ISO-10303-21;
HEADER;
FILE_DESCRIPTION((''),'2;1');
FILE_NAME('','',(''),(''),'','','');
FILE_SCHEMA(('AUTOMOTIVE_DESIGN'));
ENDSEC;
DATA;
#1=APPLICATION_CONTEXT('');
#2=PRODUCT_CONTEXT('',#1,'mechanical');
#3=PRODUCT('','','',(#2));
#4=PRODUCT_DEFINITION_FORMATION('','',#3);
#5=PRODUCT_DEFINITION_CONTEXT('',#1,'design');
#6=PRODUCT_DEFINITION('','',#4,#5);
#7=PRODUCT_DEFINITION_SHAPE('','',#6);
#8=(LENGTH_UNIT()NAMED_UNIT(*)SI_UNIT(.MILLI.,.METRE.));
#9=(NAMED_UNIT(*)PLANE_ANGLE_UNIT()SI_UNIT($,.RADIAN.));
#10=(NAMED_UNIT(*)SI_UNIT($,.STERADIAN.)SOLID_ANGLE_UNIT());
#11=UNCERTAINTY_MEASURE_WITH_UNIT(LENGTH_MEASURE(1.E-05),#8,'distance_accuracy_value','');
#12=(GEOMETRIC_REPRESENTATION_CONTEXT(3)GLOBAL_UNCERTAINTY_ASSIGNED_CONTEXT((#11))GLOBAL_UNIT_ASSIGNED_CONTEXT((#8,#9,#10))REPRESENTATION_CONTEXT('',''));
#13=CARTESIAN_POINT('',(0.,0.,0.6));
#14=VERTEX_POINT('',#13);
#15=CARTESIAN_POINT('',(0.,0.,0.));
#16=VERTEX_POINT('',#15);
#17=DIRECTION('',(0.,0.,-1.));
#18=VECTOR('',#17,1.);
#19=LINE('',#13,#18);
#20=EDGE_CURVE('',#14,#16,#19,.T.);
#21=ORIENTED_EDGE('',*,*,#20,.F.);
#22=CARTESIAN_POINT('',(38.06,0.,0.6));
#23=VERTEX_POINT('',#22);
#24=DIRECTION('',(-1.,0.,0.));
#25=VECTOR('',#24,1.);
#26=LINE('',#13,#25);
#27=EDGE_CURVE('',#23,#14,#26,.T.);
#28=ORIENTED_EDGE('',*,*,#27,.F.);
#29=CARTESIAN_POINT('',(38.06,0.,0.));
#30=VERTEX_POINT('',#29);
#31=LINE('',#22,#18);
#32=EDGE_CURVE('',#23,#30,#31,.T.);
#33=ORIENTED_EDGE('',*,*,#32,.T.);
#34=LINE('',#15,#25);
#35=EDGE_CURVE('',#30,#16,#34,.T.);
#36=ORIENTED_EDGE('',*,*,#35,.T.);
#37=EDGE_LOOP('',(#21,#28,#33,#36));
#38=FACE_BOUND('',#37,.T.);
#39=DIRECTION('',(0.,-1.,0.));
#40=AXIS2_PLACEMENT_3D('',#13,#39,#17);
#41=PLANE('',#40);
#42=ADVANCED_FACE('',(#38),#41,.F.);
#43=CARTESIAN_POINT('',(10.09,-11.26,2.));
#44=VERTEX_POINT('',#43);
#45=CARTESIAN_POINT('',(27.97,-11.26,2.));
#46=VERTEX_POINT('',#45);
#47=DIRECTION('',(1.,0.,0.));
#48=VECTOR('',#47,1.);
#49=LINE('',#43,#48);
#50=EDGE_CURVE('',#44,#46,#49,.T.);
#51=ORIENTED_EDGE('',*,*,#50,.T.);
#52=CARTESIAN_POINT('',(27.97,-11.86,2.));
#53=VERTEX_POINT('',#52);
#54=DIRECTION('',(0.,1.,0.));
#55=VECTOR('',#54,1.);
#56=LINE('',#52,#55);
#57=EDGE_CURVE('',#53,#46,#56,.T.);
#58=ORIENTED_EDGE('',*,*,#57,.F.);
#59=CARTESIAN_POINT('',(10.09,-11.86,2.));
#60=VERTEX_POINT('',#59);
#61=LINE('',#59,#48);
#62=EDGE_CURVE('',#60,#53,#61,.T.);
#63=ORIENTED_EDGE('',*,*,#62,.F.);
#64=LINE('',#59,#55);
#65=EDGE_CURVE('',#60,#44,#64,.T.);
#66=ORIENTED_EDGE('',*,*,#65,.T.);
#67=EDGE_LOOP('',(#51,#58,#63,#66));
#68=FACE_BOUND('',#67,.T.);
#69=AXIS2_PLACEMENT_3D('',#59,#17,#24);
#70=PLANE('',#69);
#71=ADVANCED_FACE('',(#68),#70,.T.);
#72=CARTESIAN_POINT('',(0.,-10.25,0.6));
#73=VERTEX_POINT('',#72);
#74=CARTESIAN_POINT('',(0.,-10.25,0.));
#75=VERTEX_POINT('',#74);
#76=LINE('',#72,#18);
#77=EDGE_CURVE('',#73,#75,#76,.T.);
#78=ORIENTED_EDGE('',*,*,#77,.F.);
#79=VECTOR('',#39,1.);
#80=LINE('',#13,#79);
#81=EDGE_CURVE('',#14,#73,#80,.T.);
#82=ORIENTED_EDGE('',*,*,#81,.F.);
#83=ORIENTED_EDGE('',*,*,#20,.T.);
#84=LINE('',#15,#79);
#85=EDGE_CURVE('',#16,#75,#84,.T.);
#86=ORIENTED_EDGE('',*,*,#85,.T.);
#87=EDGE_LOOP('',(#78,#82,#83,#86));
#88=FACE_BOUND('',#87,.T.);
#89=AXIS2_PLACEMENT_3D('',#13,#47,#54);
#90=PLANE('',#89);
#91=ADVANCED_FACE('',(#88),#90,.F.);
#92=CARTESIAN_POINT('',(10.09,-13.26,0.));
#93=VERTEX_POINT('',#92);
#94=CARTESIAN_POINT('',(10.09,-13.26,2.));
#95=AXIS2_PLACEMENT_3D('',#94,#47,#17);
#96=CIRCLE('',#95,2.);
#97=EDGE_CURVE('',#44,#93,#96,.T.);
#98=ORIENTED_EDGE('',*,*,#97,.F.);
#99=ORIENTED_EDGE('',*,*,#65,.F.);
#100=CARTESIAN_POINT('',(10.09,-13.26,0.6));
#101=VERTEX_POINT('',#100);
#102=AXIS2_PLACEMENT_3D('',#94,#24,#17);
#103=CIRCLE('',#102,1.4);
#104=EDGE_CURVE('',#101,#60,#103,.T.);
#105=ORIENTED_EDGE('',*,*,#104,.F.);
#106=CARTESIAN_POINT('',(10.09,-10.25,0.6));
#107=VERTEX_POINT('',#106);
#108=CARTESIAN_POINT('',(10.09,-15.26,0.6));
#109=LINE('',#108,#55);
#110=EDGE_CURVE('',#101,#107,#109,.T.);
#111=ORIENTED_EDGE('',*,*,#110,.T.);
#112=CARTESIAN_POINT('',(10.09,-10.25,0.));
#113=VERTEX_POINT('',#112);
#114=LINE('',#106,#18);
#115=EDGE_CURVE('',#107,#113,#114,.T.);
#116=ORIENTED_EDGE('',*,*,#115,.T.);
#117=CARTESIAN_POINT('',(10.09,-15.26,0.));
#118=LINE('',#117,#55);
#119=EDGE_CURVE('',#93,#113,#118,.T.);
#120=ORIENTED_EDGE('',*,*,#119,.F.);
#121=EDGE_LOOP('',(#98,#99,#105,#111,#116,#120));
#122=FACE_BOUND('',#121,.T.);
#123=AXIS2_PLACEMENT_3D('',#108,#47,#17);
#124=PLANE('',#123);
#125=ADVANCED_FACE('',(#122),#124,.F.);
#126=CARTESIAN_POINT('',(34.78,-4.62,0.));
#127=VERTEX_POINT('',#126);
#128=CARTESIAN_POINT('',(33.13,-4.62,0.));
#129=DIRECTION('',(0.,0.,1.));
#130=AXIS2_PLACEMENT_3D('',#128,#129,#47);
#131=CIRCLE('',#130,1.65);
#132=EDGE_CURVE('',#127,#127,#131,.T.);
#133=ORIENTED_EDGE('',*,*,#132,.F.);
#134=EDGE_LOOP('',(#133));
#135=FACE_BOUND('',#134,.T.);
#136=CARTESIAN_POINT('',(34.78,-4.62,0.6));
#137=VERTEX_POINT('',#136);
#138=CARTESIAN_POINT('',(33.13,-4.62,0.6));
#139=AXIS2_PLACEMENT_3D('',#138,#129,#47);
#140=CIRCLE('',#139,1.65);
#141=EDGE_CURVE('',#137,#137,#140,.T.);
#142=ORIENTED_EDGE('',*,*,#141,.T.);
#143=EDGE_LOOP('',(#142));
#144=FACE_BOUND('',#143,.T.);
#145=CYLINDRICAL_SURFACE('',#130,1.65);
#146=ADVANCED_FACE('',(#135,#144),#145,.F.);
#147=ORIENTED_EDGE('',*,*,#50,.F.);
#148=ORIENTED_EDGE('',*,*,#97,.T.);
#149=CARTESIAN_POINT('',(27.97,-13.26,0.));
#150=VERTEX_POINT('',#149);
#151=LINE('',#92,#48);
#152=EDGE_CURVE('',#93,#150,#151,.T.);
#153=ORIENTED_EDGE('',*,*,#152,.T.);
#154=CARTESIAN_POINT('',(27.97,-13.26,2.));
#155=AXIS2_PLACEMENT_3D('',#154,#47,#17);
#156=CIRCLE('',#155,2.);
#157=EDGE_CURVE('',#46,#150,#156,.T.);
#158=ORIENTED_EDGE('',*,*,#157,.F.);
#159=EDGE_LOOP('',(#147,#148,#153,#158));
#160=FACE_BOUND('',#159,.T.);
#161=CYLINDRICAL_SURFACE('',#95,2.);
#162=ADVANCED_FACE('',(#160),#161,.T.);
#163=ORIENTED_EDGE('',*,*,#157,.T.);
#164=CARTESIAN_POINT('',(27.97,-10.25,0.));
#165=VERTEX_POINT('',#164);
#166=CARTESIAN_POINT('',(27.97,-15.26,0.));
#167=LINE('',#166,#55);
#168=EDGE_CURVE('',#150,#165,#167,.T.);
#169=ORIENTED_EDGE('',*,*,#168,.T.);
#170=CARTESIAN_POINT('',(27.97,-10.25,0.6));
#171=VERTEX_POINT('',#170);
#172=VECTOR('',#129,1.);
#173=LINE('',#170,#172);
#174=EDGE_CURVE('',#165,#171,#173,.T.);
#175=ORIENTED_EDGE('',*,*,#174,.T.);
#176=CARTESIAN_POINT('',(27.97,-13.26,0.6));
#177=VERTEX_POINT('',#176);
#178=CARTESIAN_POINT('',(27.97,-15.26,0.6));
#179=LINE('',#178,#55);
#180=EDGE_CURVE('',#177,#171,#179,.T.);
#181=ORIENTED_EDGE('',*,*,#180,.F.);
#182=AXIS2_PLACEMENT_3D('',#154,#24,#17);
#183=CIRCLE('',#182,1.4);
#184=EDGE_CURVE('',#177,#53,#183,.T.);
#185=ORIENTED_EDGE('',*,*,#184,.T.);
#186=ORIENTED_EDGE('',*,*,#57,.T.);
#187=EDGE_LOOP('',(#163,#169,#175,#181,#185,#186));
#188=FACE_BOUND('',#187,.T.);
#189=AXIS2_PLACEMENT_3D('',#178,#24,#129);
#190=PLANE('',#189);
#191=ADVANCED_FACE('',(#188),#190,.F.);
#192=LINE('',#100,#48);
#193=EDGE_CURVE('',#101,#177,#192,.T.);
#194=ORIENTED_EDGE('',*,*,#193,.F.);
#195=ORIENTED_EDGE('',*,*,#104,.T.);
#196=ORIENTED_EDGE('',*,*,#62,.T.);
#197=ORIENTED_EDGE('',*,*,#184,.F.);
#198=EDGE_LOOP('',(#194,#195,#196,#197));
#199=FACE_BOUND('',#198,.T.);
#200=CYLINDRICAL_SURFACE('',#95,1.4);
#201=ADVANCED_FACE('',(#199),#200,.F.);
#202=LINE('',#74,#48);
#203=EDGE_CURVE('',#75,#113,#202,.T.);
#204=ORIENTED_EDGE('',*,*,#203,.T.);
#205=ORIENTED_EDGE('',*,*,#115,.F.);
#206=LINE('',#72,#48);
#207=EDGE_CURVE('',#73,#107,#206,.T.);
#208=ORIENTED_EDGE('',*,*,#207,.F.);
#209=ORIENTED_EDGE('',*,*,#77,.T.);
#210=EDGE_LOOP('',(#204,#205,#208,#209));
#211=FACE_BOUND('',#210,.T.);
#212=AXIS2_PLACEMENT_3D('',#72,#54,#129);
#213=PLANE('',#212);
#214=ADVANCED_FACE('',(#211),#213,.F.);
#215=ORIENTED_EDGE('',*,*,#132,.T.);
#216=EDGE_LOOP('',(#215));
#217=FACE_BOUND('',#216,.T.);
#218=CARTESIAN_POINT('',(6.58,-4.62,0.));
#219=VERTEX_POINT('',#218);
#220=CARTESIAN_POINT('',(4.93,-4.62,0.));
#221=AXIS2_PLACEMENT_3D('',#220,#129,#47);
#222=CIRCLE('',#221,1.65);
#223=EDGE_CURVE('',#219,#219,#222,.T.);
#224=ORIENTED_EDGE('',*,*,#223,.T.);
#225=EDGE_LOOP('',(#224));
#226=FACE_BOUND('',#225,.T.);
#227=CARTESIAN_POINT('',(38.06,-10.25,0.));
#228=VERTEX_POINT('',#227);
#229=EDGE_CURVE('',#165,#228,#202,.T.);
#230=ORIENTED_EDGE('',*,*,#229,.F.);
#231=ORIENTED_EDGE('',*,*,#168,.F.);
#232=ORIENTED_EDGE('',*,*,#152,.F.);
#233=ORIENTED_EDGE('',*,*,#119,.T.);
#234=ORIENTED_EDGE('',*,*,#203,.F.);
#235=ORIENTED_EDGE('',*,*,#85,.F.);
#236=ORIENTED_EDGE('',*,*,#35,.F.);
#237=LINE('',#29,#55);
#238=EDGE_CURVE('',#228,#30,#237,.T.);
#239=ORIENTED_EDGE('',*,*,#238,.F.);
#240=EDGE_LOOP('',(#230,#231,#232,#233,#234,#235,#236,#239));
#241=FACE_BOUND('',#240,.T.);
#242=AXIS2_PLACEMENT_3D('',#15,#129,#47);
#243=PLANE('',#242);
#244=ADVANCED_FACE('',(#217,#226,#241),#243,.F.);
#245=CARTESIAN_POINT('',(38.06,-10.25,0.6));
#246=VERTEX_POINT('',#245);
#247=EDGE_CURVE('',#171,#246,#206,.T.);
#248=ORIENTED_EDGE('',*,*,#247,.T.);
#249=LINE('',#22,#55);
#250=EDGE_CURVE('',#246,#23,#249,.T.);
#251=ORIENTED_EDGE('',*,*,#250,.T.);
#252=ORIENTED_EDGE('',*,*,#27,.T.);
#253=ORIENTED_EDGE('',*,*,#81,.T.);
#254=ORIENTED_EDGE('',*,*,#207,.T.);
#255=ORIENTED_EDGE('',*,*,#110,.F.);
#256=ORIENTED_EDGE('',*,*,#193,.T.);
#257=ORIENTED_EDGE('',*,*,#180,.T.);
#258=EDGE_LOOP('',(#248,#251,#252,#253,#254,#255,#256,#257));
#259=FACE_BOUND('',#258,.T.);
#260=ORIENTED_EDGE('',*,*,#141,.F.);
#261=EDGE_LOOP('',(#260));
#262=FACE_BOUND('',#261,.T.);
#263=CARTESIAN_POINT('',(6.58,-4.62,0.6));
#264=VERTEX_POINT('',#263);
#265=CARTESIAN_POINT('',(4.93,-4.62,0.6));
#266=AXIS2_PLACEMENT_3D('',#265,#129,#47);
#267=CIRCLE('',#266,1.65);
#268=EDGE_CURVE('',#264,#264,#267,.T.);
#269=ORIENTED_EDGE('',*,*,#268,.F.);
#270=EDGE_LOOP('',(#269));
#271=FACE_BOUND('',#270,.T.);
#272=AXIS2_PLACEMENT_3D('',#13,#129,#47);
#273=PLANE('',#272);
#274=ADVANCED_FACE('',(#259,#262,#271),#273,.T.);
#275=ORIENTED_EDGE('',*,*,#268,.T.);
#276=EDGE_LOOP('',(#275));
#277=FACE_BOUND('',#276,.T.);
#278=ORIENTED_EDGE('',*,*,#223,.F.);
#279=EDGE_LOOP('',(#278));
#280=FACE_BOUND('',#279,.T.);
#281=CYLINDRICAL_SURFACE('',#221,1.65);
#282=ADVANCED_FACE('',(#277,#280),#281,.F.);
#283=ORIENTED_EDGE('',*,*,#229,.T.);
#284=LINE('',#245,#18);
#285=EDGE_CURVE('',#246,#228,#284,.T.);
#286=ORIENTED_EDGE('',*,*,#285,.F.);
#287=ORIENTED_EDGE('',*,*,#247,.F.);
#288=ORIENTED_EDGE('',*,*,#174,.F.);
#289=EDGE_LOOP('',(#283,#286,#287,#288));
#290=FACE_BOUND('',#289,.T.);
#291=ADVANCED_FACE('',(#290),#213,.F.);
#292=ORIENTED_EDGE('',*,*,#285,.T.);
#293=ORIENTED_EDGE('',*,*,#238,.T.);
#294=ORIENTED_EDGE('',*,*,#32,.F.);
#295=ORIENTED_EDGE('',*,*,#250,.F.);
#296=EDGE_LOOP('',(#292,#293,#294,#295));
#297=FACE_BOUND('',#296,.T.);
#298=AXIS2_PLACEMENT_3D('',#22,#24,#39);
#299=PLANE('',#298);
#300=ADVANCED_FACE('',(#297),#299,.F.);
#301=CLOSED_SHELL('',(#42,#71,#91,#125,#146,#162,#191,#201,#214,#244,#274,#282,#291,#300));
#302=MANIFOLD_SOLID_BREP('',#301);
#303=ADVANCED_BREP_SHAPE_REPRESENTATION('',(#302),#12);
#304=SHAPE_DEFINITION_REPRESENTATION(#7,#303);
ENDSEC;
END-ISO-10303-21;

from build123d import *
from build123d.topology import SkipClean

# Parameters (mm, degrees)
SKETCH1_W           = 38.06
SKETCH1_H           = 10.25
BOSS_EXTRUDE1_DEPTH = 0.6
SKETCH2_R           = 1.65
CUT_EXTRUDE1_DEPTH  = 0.6
SKETCH3_W           = 17.88
SKETCH3_H           = 0.6
BOSS_EXTRUDE2_DEPTH = 5.01
BOSS_EXTRUDE3_DEPTH = 17.88
CUT_EXTRUDE2_DEPTH  = 17.88


with BuildPart() as part:
    # Sketch1 → Boss-Extrude1 (new body)
    with BuildSketch(Plane.XY):
        with Locations((19.03, -5.125)):
            Rectangle(SKETCH1_W, SKETCH1_H)
    extrude(amount=BOSS_EXTRUDE1_DEPTH)

    # Sketch2 → Cut-Extrude1 (cut)
    with BuildSketch(Plane.XY.offset(0.6)):
        with Locations((4.93, -4.62)):
            Circle(SKETCH2_R)
        with Locations((33.13, -4.62)):
            Circle(SKETCH2_R)
    extrude(amount=-CUT_EXTRUDE1_DEPTH, mode=Mode.SUBTRACT)

    # Sketch3 → Boss-Extrude2 (add)
    with BuildSketch(Plane.XZ.offset(10.25)):
        with Locations((19.03, 0.3)):
            Rectangle(SKETCH3_W, SKETCH3_H)
    extrude(amount=BOSS_EXTRUDE2_DEPTH)

    # Sketch4 → Boss-Extrude3 (add)
    with BuildSketch(Plane(origin=(27.97, 0, 0), x_dir=(0, 0, -1), z_dir=(1, 0, 0))):
        with BuildLine():
            Line((-2, -11.86), (-2, -11.26))
            ThreePointArc((-2, -11.26), (-3.414213562, -14.674213562), (0, -13.26))
            Line((0, -13.26), (-0.6, -13.26))
            ThreePointArc((-0.6, -13.26), (-2.989949494, -14.249949494), (-2, -11.86))
        make_face()
    extrude(amount=-BOSS_EXTRUDE3_DEPTH)

    # Sketch5 → Cut-Extrude2 (cut)
    with SkipClean():  # the faces are left unmerged after this step: merging them gives an invalid solid
        with BuildSketch(Plane(origin=(27.97, 0, 0), x_dir=(0, 0, -1), z_dir=(1, 0, 0))):
            with BuildLine():
                ThreePointArc((0, -13.26), (-0.156091109, -14.034596669), (-0.6, -14.688285686))
                Line((-0.6, -14.688285686), (-0.6, -15.26))
                Line((-0.6, -15.26), (0, -15.26))
                Line((0, -15.26), (0, -13.26))
            make_face()
        extrude(amount=-CUT_EXTRUDE2_DEPTH, mode=Mode.SUBTRACT)


solid = part.part
